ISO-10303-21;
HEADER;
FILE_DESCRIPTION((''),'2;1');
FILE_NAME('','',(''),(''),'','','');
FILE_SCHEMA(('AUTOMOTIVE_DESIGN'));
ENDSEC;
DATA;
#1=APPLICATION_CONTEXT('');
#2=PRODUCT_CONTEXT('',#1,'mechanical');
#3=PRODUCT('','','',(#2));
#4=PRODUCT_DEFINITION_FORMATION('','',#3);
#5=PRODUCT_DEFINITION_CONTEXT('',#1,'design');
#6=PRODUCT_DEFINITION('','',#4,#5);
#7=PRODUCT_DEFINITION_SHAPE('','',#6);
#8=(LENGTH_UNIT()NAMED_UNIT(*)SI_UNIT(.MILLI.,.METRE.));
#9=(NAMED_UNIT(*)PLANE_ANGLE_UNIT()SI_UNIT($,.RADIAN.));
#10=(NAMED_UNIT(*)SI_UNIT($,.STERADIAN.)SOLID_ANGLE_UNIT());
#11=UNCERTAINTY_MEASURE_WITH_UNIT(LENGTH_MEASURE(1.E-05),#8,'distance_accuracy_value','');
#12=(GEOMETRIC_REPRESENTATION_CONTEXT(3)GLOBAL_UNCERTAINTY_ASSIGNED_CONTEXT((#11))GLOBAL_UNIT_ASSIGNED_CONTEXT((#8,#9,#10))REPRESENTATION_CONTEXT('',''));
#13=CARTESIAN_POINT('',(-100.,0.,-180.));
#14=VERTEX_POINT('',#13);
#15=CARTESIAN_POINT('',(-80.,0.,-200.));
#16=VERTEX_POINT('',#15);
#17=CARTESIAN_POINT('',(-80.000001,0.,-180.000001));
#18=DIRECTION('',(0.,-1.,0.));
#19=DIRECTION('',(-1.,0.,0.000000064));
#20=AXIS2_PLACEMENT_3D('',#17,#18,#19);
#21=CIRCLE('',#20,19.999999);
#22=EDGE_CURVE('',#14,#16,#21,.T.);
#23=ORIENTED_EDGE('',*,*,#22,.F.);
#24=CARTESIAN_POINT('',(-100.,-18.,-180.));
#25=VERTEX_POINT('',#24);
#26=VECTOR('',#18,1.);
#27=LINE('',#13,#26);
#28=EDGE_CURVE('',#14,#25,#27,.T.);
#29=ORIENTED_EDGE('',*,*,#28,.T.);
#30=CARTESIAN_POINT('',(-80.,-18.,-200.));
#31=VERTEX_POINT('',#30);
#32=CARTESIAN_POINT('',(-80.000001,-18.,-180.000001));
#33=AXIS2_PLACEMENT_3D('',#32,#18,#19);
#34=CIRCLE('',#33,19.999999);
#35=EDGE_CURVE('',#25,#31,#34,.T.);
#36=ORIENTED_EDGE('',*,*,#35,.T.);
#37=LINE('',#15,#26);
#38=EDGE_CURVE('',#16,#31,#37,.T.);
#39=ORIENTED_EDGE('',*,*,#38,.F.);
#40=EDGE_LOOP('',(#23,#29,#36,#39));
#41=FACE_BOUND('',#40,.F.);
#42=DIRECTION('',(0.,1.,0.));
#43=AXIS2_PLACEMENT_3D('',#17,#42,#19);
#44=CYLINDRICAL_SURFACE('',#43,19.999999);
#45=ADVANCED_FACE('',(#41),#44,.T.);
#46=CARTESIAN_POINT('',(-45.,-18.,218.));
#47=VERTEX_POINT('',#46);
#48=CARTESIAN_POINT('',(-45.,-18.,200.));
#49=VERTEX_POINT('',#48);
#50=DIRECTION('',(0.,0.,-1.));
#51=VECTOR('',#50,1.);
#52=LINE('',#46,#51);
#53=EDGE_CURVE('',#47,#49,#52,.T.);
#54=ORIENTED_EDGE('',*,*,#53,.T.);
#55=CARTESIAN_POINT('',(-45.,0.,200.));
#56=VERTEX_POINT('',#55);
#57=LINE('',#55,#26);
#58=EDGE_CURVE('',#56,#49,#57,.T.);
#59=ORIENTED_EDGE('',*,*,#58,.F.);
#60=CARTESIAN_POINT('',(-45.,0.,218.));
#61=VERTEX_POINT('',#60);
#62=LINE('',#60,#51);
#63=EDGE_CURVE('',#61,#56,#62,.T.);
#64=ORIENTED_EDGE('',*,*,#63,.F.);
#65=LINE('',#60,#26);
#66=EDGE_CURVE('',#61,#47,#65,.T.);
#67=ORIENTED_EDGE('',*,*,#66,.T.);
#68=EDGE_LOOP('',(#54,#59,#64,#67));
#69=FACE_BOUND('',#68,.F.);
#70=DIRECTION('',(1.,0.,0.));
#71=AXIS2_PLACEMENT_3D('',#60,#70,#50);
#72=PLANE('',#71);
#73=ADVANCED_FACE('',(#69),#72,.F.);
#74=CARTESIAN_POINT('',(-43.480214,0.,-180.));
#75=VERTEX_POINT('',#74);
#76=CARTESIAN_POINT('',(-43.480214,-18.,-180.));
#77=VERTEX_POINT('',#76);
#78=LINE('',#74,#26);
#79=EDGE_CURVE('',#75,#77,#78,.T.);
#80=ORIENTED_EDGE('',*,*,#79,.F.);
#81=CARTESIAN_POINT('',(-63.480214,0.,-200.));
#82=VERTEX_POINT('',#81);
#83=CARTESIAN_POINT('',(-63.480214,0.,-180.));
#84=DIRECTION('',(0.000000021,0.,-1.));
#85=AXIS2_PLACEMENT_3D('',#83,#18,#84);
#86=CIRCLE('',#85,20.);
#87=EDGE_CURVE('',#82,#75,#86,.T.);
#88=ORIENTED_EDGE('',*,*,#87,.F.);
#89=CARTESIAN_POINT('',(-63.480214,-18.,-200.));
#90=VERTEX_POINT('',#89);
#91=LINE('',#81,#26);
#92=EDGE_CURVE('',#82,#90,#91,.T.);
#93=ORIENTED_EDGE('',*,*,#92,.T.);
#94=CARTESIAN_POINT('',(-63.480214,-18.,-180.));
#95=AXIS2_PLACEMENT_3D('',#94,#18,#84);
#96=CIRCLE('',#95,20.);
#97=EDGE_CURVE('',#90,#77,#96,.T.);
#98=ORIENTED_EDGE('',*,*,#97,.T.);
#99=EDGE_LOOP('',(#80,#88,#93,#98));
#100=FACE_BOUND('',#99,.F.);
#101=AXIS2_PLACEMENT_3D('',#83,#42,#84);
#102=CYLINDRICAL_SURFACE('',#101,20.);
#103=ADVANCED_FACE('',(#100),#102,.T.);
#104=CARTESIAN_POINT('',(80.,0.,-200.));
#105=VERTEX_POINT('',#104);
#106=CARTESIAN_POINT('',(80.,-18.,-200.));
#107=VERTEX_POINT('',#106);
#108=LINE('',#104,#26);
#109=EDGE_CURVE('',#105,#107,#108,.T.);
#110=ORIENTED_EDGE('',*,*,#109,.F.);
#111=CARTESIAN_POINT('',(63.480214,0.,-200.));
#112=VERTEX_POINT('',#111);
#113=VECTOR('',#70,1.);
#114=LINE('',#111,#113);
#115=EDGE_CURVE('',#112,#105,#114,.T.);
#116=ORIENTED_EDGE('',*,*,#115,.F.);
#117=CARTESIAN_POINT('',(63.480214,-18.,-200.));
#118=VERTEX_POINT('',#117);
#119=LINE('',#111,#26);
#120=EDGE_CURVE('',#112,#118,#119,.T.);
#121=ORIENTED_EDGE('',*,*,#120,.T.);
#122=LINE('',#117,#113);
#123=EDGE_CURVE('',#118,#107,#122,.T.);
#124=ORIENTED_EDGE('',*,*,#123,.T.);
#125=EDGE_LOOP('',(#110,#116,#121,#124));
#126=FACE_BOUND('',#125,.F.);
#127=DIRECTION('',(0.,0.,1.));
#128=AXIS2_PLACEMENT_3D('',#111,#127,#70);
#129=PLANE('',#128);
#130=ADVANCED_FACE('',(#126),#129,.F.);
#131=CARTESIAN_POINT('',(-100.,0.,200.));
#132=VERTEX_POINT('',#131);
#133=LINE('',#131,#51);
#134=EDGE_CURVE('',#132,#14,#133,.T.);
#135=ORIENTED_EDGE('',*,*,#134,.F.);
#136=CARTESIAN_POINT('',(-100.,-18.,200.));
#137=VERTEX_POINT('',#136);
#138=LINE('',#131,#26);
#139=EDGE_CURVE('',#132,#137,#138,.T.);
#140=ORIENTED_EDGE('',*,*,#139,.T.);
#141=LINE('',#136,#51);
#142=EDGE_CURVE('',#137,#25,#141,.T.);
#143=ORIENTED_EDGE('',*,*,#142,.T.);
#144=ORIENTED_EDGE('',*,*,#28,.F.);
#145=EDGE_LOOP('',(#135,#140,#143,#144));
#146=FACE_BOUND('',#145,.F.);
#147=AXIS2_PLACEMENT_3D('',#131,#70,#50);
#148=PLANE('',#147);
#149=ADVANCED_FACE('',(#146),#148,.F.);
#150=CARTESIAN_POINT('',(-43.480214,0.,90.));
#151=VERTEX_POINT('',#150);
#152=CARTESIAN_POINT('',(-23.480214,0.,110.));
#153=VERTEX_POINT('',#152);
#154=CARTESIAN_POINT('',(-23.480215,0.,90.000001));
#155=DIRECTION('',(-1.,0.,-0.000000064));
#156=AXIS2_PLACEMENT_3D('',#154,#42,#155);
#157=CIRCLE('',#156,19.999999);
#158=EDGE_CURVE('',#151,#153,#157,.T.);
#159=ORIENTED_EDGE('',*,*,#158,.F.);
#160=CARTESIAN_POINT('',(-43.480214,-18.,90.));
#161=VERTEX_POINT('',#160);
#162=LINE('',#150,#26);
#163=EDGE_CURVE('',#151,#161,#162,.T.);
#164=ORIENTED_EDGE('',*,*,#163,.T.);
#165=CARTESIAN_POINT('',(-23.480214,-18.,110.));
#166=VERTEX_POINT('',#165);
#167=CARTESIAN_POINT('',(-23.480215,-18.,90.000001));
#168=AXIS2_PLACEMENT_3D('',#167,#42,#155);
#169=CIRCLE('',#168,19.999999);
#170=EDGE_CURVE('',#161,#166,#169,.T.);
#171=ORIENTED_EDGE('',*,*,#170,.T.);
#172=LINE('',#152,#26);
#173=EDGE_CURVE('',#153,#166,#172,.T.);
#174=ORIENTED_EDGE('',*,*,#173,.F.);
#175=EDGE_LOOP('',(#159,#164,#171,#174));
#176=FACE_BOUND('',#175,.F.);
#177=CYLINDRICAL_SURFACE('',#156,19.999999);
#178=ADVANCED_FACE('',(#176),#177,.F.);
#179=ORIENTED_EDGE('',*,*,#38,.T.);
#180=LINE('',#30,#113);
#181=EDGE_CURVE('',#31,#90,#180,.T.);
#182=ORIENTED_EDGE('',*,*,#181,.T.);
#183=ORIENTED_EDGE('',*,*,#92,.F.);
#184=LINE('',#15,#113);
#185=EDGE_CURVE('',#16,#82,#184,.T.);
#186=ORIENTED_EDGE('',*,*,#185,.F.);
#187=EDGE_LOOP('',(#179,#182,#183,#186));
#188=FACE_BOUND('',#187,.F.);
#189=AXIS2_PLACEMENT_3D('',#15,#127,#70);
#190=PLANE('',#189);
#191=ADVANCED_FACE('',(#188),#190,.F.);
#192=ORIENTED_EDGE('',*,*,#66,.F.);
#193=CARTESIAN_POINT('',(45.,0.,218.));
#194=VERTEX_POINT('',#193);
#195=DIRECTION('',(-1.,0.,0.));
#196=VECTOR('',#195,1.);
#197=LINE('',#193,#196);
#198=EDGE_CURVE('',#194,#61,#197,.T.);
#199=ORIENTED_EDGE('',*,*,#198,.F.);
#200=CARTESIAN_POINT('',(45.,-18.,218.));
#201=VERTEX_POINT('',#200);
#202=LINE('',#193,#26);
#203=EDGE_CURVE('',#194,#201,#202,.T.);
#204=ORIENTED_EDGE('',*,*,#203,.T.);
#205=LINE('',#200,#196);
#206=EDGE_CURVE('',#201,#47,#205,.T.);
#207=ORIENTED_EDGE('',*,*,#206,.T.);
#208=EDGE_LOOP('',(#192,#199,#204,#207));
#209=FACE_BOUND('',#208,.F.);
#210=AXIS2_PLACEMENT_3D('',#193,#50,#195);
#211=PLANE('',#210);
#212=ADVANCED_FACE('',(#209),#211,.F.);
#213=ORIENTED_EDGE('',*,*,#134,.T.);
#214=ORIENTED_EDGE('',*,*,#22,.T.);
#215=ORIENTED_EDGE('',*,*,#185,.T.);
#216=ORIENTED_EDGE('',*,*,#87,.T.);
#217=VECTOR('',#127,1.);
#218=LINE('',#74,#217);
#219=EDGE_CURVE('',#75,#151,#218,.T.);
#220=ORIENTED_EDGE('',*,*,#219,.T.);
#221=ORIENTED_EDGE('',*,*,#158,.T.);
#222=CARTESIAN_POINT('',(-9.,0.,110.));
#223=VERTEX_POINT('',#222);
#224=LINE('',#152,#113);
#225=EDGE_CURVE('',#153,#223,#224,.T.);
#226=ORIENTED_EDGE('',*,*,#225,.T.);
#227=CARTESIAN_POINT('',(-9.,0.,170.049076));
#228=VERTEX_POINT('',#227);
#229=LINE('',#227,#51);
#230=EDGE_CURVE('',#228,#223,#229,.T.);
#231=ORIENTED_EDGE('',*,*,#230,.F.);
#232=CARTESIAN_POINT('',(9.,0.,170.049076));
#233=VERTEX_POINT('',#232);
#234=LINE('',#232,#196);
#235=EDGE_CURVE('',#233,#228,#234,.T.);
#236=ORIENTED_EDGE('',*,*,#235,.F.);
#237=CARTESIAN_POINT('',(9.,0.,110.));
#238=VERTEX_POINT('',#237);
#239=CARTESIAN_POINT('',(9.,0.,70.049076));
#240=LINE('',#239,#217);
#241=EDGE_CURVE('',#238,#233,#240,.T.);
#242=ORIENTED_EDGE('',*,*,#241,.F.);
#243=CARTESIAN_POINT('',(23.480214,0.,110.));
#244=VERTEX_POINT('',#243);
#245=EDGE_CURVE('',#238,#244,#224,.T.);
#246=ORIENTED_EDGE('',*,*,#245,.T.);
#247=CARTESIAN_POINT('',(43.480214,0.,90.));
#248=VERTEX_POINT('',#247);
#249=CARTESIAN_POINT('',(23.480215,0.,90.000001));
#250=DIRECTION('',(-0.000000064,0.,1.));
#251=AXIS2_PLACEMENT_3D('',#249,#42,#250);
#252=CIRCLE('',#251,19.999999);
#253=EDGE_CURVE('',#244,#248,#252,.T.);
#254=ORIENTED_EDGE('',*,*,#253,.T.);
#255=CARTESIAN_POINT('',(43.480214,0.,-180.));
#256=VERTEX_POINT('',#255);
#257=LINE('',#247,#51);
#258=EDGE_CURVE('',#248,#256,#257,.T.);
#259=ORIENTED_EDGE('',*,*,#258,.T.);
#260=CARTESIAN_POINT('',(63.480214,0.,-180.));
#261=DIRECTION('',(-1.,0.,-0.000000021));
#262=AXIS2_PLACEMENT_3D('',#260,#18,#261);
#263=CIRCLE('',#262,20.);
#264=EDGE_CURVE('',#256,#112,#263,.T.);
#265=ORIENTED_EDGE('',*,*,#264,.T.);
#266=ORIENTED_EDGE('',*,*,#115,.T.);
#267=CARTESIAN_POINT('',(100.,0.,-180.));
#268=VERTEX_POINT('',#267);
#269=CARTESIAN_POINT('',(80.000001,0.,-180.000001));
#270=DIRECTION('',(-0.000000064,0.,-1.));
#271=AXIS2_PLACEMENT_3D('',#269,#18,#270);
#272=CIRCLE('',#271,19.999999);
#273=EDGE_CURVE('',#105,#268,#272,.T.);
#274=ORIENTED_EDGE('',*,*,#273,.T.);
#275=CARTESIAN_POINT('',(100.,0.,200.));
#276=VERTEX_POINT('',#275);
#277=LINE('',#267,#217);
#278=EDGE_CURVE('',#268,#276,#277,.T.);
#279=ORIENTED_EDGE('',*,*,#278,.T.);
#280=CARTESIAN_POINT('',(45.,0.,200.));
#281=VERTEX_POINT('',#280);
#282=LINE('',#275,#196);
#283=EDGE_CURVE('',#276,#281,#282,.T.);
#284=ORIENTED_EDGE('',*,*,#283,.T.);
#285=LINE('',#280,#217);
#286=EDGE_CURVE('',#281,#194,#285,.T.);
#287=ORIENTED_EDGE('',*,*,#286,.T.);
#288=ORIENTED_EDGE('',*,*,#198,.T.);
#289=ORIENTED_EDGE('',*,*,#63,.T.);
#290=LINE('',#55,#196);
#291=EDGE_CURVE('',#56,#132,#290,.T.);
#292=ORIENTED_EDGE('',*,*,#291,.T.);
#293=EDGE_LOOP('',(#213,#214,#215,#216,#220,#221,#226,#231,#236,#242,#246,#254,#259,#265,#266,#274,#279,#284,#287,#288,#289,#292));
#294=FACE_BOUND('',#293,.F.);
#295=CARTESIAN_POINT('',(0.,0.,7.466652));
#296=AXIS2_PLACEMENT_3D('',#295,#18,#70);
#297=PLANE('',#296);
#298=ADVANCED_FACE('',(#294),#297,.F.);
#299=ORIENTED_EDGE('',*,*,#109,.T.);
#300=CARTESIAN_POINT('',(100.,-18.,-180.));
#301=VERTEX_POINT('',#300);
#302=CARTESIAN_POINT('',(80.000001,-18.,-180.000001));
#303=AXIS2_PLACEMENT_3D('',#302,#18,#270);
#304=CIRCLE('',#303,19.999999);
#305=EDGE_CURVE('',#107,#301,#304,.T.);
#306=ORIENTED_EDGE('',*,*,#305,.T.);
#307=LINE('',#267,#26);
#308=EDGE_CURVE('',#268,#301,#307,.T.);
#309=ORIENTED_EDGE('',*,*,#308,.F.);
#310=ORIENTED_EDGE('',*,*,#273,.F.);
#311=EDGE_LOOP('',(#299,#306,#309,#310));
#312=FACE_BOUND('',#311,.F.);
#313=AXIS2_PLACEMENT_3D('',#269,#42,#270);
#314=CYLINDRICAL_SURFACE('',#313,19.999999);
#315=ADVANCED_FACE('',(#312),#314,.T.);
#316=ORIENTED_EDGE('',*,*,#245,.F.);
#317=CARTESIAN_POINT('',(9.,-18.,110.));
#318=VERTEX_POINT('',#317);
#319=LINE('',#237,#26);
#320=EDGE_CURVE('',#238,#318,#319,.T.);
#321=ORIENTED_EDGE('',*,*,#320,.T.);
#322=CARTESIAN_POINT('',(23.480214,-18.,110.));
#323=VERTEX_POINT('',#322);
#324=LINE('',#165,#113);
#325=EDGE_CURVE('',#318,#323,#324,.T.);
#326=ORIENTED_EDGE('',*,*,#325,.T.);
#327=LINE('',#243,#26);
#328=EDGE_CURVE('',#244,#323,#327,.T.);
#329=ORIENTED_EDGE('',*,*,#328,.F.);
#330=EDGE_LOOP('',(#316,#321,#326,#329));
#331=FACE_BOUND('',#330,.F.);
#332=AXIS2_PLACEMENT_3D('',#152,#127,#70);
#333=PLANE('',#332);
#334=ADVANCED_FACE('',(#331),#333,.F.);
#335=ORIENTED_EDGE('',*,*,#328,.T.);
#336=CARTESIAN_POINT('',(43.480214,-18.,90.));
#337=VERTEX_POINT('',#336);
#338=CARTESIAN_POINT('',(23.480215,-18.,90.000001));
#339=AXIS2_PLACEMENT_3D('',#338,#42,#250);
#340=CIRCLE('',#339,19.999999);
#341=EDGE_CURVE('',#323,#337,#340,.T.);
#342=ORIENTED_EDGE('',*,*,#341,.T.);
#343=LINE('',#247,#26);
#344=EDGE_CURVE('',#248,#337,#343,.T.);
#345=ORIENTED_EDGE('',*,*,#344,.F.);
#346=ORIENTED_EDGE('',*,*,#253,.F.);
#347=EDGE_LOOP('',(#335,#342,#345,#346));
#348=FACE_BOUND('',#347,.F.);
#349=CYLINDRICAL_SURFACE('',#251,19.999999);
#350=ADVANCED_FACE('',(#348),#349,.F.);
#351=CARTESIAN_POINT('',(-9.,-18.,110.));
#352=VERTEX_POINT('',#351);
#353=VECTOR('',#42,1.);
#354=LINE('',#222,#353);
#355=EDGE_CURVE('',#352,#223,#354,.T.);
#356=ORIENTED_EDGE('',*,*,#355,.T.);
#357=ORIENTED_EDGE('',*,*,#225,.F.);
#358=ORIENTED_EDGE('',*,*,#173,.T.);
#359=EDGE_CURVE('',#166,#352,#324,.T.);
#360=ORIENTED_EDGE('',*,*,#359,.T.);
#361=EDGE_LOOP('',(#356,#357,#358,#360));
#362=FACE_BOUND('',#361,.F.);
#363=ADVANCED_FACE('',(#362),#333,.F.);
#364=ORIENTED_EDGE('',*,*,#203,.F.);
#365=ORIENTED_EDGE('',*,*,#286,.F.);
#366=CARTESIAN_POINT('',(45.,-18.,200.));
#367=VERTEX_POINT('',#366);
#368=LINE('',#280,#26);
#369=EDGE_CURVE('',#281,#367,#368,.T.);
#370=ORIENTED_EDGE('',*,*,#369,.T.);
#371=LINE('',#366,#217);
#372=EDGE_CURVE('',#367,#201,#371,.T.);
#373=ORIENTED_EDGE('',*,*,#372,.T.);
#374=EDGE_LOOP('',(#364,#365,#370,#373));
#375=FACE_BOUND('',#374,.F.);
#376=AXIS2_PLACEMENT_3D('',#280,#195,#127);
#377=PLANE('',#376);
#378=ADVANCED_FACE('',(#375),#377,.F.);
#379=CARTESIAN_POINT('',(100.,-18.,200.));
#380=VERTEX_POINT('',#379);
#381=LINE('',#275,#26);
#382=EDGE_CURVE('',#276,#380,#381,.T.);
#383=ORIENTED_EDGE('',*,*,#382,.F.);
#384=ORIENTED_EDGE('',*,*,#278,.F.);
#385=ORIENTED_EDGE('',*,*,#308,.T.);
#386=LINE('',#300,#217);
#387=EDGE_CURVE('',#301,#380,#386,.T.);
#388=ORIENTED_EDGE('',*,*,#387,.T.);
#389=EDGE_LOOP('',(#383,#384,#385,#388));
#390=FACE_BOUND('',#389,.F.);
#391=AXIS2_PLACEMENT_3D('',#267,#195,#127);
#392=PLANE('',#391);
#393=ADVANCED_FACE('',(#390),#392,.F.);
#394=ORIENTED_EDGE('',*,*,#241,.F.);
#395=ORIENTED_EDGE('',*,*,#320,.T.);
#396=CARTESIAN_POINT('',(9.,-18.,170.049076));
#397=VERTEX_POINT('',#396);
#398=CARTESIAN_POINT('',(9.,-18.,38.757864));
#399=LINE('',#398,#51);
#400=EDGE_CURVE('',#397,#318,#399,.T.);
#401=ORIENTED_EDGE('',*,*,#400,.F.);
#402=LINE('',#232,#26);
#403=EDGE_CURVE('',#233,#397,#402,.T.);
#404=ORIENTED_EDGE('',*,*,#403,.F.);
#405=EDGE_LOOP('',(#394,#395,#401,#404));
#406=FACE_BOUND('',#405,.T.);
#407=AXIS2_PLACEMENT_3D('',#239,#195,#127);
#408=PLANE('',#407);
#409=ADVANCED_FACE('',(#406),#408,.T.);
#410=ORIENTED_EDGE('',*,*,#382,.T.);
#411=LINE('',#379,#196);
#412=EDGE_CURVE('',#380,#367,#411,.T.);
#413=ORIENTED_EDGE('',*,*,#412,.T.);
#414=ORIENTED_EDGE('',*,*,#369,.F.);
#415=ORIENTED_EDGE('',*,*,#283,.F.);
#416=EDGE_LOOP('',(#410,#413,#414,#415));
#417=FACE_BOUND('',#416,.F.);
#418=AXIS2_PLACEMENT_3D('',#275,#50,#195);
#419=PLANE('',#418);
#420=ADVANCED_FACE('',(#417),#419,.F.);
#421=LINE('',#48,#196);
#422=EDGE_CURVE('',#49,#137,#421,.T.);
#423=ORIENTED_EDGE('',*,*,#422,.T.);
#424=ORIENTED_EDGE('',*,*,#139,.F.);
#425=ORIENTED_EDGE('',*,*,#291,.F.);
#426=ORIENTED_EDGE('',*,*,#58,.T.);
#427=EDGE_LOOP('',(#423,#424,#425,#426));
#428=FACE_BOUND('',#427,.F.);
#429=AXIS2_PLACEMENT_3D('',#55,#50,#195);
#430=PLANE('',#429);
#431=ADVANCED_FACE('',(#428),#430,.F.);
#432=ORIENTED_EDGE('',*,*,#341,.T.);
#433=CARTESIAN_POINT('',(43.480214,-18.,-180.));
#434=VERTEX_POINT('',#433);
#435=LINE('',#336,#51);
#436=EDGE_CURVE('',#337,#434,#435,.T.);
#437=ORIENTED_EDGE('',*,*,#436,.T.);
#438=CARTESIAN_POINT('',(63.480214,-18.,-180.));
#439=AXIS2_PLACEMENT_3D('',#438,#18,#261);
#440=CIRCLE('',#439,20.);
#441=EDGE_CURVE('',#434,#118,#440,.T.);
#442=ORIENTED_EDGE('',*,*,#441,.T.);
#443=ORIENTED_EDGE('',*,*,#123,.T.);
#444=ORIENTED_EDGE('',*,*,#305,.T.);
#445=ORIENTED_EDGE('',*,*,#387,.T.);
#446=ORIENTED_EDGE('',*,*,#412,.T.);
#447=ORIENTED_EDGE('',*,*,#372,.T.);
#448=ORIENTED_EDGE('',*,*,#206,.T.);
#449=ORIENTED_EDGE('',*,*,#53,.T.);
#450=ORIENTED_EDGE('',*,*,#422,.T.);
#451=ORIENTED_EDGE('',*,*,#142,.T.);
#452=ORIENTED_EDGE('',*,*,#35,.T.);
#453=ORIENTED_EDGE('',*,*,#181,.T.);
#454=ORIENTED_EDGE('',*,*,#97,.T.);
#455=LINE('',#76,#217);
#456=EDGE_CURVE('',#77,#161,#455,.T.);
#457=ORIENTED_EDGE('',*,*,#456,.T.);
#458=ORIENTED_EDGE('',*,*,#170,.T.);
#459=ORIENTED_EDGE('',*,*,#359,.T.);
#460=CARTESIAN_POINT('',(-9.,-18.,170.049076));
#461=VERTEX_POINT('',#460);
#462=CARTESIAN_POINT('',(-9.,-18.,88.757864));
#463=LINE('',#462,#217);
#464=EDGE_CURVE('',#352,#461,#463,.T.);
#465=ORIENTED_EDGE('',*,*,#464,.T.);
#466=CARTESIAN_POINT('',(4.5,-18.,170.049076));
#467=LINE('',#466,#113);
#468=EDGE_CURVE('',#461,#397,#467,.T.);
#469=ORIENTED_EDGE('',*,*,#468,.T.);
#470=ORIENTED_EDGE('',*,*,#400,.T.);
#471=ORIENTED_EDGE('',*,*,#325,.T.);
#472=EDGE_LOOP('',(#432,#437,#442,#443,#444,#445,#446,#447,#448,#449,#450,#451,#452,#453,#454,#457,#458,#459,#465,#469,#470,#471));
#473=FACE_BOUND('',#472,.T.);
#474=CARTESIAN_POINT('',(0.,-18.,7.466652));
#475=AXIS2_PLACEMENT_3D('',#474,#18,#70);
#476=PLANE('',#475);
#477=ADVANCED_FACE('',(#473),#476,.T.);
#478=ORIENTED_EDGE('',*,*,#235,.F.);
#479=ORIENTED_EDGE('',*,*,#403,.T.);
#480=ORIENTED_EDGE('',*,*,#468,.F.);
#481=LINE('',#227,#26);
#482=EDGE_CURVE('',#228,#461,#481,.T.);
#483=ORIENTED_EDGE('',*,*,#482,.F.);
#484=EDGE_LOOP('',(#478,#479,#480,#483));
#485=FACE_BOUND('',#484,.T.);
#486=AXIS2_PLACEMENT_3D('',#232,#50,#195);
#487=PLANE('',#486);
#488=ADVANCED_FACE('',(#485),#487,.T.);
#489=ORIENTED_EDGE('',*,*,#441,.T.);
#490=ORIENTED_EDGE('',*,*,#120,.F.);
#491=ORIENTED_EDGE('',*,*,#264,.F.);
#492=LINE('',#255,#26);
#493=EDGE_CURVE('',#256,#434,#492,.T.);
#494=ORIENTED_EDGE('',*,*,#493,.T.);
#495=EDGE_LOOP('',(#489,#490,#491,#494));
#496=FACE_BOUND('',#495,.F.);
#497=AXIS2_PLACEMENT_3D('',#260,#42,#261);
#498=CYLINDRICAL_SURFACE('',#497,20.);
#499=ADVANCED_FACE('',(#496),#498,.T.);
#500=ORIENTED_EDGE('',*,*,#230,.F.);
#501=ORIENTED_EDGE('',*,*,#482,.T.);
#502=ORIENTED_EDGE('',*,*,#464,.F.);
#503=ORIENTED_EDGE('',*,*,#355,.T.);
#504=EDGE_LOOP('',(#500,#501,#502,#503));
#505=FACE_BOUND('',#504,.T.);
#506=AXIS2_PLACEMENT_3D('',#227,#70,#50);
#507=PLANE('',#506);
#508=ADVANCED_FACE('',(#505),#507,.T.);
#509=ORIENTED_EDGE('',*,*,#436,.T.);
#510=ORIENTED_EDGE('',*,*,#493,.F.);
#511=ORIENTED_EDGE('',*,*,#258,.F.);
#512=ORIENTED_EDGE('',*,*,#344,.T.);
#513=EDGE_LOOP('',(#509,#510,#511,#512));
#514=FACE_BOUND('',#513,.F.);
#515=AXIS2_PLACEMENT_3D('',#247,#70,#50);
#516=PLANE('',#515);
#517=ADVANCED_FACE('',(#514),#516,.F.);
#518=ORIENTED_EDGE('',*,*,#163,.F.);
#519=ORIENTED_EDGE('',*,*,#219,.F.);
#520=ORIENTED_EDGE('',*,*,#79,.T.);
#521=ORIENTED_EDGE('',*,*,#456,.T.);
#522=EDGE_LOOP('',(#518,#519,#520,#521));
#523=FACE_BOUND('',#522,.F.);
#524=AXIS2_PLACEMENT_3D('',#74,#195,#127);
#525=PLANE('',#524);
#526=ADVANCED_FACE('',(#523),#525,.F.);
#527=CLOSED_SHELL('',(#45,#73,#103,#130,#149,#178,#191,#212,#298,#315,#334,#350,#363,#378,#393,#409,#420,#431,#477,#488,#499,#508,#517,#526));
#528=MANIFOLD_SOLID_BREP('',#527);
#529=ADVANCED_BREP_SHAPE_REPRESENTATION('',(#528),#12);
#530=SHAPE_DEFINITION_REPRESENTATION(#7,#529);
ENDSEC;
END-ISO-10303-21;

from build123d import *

# Parameters (mm, degrees)
F2_DEPTH = 18
F3_DEPTH = 188


with BuildPart() as f2:
    # F0 (on Front) → F2 (new body)
    with BuildSketch(Plane.XZ):
        with BuildLine():
            Line((63.480214, -200), (80, -200))
            ThreePointArc((80, -200), (94.142136, -194.142136), (100, -180))
            Line((100, -180), (100, 200))
            Line((100, 200), (45, 200))
            Line((45, 200), (45, 218))
            Line((45, 218), (-45, 218))
            Line((-45, 218), (-45, 200))
            Line((-45, 200), (-100, 200))
            Line((-100, 200), (-100, -180))
            ThreePointArc((-100, -180), (-94.142136, -194.142136), (-80, -200))
            Line((-80, -200), (-63.480214, -200))
            ThreePointArc((-63.480214, -200), (-49.338079, -194.142136), (-43.480214, -180))
            Line((-43.480214, -180), (-43.480214, -110))
            Line((-43.480214, -110), (-43.480214, 90))
            ThreePointArc((-43.480214, 90), (-37.62235, 104.142136), (-23.480214, 110))
            Line((-23.480214, 110), (23.480214, 110))
            ThreePointArc((23.480214, 110), (37.62235, 104.142136), (43.480214, 90))
            Line((43.480214, 90), (43.480214, -110))
            Line((43.480214, -110), (43.480214, -180))
            ThreePointArc((43.480214, -180), (49.338079, -194.142136), (63.480214, -200))
        make_face()
    extrude(amount=F2_DEPTH)

    # F1 (on face) → F3 (cut)
    with BuildSketch(Plane.XZ):
        Polygon((9, 170.049076), (-9, 170.049076), (-9, 110.049076), (0, 110.049076), (9, 110.049076), align=None)
        Polygon((0, 110.049076), (-9, 110.049076), (-9, 70.049076), (9, 70.049076), (9, 110.049076), align=None)
    extrude(amount=F3_DEPTH, mode=Mode.SUBTRACT)


solid = f2.part
